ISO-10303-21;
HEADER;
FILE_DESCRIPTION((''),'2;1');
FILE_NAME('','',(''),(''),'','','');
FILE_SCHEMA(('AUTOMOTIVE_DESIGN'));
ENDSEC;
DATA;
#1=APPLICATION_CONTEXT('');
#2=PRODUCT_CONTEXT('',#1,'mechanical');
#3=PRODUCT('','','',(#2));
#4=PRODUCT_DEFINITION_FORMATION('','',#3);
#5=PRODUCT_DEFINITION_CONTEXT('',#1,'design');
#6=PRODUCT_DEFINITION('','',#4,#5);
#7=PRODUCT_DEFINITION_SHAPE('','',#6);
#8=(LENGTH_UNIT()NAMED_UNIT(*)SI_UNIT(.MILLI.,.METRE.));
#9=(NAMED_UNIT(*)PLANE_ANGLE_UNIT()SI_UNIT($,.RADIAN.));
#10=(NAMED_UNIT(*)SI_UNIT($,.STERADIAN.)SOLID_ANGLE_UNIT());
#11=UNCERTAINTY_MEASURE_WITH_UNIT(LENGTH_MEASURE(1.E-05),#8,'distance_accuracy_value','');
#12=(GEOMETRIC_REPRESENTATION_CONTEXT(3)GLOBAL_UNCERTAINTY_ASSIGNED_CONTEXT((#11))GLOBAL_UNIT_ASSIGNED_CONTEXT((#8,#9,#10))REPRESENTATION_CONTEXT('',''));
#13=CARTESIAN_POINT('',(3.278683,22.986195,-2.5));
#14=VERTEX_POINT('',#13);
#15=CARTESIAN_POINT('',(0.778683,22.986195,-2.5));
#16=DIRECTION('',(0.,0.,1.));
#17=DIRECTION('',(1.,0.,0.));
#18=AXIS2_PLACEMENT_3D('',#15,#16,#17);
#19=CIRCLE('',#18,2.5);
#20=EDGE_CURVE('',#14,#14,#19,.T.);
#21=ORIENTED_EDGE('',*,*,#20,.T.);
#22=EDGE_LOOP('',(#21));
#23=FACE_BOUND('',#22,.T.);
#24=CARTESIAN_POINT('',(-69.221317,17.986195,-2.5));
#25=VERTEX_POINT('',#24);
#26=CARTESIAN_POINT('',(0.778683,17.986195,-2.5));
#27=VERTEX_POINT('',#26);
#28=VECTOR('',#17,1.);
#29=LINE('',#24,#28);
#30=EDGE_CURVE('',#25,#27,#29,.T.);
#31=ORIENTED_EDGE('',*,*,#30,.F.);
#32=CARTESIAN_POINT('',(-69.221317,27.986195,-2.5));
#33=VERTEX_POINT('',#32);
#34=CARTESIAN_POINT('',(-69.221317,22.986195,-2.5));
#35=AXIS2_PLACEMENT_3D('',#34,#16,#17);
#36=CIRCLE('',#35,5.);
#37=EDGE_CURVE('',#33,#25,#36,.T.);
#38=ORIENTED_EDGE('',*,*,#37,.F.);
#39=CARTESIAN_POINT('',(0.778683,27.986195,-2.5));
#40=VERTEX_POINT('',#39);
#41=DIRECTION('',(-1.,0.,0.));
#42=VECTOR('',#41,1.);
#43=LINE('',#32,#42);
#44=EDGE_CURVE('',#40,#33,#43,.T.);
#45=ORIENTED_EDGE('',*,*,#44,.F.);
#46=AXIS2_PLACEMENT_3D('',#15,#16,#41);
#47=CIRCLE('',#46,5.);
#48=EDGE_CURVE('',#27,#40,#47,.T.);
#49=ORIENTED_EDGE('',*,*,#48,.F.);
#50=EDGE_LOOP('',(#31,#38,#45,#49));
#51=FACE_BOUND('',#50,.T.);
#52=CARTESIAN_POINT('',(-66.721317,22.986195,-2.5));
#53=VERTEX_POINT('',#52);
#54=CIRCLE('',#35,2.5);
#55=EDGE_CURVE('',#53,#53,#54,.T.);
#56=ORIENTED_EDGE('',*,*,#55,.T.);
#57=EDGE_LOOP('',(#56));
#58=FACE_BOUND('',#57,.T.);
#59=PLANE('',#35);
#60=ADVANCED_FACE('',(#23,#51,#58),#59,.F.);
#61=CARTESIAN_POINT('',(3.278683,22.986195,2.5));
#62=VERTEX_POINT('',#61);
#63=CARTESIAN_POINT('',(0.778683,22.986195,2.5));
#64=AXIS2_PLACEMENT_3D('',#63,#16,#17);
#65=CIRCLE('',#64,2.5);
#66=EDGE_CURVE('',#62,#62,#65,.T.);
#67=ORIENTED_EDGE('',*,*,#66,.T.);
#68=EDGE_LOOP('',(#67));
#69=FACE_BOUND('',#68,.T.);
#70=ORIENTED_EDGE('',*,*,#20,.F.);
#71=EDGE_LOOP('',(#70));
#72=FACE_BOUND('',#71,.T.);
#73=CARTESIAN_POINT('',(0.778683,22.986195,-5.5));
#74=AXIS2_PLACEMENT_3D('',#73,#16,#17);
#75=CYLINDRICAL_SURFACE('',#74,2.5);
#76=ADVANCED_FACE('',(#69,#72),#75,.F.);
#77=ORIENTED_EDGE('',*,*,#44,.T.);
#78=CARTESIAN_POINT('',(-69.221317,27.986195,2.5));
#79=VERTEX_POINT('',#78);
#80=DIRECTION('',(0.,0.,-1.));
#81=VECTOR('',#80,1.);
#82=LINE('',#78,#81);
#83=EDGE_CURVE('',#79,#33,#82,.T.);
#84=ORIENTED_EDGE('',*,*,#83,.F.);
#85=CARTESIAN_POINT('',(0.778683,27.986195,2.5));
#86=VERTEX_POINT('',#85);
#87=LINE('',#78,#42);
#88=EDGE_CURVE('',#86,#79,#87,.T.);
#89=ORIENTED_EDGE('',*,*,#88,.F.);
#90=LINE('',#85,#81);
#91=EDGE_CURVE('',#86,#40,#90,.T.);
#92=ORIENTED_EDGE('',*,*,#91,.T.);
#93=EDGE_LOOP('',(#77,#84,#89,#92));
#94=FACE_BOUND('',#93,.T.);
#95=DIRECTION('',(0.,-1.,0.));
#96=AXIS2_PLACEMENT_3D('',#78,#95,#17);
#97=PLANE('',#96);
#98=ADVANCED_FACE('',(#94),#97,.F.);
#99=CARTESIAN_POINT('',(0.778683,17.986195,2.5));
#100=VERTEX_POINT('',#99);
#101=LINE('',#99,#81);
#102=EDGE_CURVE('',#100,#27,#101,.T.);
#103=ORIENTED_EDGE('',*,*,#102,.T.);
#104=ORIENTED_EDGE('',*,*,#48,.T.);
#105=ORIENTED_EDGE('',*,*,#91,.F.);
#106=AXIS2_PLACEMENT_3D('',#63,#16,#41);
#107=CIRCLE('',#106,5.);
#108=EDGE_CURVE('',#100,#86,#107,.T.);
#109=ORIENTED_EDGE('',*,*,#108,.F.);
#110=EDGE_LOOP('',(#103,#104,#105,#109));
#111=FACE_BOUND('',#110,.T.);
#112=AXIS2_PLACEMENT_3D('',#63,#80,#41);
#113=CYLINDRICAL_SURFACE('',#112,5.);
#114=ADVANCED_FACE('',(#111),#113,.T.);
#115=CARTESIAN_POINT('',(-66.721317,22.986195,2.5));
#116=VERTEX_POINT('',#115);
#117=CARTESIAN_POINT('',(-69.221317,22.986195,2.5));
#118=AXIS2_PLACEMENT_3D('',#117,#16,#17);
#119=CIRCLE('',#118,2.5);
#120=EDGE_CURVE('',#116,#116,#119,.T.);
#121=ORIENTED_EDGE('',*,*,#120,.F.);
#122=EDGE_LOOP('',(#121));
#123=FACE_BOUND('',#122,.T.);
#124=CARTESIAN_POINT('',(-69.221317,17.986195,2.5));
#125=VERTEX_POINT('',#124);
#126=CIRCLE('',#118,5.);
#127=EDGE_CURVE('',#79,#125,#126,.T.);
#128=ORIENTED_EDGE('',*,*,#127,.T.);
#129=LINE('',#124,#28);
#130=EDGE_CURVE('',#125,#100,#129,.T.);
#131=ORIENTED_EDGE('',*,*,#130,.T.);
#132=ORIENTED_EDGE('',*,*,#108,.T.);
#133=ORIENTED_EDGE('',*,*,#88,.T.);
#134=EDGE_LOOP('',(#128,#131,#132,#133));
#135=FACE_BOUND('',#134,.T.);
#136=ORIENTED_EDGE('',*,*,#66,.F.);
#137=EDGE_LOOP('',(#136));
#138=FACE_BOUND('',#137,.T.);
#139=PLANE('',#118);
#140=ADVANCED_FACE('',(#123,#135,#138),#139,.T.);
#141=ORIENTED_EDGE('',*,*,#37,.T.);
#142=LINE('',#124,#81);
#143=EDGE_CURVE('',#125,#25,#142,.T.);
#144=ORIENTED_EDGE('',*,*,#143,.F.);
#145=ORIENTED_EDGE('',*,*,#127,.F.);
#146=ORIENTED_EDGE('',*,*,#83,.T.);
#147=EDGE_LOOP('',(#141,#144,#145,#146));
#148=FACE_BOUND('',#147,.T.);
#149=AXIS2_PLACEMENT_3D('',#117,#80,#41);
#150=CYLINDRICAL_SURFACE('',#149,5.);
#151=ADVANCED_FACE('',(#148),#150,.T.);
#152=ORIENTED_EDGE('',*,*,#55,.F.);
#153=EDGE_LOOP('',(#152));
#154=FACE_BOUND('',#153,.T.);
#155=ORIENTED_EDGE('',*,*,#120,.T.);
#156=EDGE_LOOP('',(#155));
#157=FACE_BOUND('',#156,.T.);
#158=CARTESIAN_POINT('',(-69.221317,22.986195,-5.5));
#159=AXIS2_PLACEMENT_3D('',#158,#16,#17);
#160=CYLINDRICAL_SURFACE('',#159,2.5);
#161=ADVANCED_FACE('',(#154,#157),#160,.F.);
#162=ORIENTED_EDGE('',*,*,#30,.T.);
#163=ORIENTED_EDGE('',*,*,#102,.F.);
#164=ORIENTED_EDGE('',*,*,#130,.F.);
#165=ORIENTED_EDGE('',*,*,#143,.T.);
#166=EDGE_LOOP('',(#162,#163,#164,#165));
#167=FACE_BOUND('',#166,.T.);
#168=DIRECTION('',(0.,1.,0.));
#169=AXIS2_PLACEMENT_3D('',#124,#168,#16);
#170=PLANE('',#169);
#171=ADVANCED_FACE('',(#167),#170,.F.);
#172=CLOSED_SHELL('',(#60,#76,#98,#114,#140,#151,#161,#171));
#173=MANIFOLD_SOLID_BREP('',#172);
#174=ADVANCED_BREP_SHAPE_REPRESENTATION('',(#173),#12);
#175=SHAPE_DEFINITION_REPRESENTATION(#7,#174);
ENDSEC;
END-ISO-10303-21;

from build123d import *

# Parameters (mm, degrees)
EXTRUDE_1_DEPTH     = 2.5
SKETCH_3_R          = 2.5
CUT_EXTRUDE_2_DEPTH = 8
SKETCH_5_R          = 2.5
CUT_EXTRUDE_4_DEPTH = 8


with BuildPart() as part:
    # 草图1 → 凸台-拉伸1 (new, symmetric)
    with BuildSketch(Plane.XY):
        with BuildLine():
            Line((-69.221317243, 27.986194726), (0.778682757, 27.986194726))
            ThreePointArc((0.778682757, 27.986194726), (5.778682757, 22.986194726), (0.778682757, 17.986194726))
            Line((0.778682757, 17.986194726), (-69.221317243, 17.986194726))
            ThreePointArc((-69.221317243, 17.986194726), (-74.221317243, 22.986194726), (-69.221317243, 27.986194726))
        make_face()
    extrude(amount=EXTRUDE_1_DEPTH, both=True)

    # 草图3 → 切除-拉伸2 (cut)
    with BuildSketch(Plane.XY.offset(2.5)):
        with Locations((-69.221317243, 22.986194726)):
            Circle(SKETCH_3_R)
    extrude(amount=-CUT_EXTRUDE_2_DEPTH, mode=Mode.SUBTRACT)

    # 草图5 → 切除-拉伸4 (cut)
    with BuildSketch(Plane.XY.offset(2.5)):
        with Locations((0.778682757, 22.986194726)):
            Circle(SKETCH_5_R)
    extrude(amount=-CUT_EXTRUDE_4_DEPTH, mode=Mode.SUBTRACT)


solid = part.part
